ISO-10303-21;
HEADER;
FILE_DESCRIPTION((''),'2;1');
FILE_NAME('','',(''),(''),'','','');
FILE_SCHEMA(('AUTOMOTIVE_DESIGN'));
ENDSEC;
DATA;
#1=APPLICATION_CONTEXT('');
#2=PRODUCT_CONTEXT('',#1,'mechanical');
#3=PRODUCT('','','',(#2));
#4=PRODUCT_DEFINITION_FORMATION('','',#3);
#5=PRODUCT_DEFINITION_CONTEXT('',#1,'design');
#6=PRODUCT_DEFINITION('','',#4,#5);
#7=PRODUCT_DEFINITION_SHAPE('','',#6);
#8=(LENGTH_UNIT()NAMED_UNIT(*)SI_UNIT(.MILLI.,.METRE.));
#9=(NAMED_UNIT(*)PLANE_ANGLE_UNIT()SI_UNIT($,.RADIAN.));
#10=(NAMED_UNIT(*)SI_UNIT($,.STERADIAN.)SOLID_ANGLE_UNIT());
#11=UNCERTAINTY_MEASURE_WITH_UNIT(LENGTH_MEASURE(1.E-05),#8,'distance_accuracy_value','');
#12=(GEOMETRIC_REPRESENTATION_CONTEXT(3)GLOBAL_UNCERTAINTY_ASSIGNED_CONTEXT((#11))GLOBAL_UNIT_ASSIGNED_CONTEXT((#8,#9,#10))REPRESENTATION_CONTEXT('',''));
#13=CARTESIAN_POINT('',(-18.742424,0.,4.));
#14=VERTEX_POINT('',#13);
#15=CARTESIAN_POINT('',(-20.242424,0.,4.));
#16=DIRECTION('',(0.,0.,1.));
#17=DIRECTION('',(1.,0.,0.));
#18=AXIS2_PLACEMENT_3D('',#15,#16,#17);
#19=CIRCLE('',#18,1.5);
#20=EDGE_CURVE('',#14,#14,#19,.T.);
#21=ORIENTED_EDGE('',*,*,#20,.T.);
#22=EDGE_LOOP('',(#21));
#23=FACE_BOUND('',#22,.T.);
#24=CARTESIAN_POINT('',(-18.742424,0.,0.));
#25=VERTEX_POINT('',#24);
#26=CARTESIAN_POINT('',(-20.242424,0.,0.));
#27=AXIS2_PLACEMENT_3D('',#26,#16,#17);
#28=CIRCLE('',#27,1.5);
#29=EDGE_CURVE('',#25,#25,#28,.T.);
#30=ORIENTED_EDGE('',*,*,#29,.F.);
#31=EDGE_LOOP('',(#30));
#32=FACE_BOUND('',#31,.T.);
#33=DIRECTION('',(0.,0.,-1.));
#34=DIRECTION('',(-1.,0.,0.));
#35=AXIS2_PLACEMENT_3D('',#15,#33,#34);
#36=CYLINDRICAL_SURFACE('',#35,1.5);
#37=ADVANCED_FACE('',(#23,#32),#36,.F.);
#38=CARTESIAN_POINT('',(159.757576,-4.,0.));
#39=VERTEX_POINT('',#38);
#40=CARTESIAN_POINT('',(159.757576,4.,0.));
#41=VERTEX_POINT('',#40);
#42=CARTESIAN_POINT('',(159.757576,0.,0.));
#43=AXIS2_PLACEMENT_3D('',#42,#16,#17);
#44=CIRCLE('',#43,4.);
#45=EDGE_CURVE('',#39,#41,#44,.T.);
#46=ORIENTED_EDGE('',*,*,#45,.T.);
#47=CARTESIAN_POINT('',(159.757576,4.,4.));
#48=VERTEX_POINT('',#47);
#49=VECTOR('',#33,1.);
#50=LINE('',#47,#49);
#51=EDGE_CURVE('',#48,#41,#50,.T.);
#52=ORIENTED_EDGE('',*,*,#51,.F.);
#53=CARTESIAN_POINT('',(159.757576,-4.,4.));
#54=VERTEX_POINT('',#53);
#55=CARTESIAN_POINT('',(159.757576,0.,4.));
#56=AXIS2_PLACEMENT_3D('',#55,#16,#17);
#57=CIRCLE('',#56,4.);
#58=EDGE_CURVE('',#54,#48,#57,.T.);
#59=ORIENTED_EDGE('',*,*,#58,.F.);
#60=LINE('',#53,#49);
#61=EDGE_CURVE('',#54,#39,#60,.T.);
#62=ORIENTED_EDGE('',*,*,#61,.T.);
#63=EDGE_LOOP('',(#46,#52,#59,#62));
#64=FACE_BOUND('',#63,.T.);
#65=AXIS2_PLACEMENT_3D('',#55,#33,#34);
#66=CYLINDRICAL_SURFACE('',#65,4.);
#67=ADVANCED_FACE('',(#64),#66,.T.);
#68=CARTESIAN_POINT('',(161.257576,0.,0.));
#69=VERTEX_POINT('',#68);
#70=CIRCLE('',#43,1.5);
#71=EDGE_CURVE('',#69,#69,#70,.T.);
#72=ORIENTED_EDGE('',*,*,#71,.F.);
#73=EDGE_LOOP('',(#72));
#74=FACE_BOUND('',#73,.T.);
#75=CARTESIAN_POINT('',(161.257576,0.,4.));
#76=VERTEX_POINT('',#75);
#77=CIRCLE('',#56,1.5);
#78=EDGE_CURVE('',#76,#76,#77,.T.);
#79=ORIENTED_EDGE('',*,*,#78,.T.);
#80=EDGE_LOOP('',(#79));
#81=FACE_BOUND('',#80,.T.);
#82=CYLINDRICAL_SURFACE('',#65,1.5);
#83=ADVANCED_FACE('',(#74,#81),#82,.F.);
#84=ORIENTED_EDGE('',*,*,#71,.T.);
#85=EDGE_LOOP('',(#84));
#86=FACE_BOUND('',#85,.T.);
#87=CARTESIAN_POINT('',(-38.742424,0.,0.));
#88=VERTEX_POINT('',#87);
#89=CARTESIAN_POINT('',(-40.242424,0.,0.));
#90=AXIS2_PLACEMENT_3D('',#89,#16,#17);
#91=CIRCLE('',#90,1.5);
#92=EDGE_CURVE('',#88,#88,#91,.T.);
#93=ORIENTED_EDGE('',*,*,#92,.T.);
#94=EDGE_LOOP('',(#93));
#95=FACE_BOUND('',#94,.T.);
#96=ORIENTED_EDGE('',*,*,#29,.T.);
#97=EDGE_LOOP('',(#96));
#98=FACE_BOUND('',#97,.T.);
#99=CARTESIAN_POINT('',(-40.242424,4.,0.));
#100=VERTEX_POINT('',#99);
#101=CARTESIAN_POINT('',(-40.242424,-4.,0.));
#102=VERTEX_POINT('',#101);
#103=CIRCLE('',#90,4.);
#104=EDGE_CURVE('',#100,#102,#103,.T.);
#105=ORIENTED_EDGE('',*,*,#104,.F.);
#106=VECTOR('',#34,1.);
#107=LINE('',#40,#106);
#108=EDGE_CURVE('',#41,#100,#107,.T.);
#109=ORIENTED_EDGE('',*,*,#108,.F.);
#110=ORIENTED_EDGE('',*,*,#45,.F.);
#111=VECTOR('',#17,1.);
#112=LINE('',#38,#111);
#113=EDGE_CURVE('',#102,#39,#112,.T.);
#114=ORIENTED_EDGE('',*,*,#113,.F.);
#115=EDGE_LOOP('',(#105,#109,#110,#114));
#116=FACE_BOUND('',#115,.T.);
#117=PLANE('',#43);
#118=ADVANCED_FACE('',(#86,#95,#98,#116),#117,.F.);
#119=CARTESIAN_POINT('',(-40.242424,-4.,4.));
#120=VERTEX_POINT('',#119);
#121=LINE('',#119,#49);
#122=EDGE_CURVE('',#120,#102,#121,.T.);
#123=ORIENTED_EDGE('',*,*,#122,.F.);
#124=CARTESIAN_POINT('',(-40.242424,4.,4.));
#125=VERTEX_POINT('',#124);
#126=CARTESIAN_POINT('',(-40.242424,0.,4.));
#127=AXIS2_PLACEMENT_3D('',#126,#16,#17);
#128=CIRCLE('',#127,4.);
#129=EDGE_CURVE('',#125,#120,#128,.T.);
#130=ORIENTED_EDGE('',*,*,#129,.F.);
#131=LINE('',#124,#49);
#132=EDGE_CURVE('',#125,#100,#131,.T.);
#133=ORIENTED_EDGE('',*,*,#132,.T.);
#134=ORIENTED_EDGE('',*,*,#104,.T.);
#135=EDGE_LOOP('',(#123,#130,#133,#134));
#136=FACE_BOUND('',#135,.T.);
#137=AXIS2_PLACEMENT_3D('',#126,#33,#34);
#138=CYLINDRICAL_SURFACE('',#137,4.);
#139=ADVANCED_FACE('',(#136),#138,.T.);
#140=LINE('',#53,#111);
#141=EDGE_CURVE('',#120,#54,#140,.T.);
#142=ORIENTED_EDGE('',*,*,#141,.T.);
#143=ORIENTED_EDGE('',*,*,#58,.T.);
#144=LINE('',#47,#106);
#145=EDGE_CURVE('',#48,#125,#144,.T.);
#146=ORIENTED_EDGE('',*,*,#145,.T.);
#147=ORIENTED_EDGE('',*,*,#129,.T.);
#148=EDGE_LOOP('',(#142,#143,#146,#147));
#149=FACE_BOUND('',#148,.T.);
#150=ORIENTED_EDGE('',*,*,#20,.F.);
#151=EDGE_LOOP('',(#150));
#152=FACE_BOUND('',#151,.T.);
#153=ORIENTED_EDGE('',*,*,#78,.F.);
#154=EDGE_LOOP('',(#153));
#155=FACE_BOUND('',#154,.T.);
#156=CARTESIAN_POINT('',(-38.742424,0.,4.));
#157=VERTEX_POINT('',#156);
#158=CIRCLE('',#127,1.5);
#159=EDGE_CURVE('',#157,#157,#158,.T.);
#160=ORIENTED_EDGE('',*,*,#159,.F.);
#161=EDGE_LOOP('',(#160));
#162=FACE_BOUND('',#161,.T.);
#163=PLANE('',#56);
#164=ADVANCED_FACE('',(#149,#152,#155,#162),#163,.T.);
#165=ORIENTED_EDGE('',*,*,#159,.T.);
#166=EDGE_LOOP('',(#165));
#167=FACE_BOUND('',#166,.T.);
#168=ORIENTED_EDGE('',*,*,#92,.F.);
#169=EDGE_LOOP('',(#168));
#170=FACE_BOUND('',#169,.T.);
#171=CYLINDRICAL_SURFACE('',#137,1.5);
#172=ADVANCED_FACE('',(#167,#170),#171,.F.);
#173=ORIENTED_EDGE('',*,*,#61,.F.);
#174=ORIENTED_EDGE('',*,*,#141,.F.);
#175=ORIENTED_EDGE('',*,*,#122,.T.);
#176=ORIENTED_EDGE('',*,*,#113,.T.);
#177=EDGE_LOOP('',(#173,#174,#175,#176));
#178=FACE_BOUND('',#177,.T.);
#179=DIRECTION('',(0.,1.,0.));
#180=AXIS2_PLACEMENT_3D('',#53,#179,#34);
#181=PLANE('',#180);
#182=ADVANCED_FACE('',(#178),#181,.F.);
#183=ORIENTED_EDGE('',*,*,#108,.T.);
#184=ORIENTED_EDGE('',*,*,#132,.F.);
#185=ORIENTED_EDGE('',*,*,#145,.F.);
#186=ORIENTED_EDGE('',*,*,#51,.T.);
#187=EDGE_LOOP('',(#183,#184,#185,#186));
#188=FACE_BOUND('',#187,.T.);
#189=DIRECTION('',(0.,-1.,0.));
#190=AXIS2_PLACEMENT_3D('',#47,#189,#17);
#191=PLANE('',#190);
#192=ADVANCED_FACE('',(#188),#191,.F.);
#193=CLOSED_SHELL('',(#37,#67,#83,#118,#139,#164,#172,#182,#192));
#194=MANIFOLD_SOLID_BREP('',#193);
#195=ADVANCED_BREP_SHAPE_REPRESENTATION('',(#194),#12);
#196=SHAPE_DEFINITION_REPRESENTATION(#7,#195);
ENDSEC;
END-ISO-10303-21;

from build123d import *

# Parameters (mm, degrees)
SKETCH1_R           = 1.5
BOSS_EXTRUDE1_DEPTH = 4


with BuildPart() as part:
    # Sketch1 → Boss-Extrude1 (new body)
    with BuildSketch(Plane.XY):
        with BuildLine():
            Line((159.757575758, -4), (-40.242424242, -4))
            ThreePointArc((-40.242424242, -4), (-44.242424242, 0), (-40.242424242, 4))
            Line((-40.242424242, 4), (159.757575758, 4))
            ThreePointArc((159.757575758, 4), (163.757575758, 0), (159.757575758, -4))
        make_face()
        with Locations((-20.242424242, 0)):
            Circle(SKETCH1_R, mode=Mode.SUBTRACT)
        with Locations((-40.242424242, 0)):
            Circle(SKETCH1_R, mode=Mode.SUBTRACT)
        with Locations((159.757575758, 0)):
            Circle(SKETCH1_R, mode=Mode.SUBTRACT)
    extrude(amount=BOSS_EXTRUDE1_DEPTH)


solid = part.part
